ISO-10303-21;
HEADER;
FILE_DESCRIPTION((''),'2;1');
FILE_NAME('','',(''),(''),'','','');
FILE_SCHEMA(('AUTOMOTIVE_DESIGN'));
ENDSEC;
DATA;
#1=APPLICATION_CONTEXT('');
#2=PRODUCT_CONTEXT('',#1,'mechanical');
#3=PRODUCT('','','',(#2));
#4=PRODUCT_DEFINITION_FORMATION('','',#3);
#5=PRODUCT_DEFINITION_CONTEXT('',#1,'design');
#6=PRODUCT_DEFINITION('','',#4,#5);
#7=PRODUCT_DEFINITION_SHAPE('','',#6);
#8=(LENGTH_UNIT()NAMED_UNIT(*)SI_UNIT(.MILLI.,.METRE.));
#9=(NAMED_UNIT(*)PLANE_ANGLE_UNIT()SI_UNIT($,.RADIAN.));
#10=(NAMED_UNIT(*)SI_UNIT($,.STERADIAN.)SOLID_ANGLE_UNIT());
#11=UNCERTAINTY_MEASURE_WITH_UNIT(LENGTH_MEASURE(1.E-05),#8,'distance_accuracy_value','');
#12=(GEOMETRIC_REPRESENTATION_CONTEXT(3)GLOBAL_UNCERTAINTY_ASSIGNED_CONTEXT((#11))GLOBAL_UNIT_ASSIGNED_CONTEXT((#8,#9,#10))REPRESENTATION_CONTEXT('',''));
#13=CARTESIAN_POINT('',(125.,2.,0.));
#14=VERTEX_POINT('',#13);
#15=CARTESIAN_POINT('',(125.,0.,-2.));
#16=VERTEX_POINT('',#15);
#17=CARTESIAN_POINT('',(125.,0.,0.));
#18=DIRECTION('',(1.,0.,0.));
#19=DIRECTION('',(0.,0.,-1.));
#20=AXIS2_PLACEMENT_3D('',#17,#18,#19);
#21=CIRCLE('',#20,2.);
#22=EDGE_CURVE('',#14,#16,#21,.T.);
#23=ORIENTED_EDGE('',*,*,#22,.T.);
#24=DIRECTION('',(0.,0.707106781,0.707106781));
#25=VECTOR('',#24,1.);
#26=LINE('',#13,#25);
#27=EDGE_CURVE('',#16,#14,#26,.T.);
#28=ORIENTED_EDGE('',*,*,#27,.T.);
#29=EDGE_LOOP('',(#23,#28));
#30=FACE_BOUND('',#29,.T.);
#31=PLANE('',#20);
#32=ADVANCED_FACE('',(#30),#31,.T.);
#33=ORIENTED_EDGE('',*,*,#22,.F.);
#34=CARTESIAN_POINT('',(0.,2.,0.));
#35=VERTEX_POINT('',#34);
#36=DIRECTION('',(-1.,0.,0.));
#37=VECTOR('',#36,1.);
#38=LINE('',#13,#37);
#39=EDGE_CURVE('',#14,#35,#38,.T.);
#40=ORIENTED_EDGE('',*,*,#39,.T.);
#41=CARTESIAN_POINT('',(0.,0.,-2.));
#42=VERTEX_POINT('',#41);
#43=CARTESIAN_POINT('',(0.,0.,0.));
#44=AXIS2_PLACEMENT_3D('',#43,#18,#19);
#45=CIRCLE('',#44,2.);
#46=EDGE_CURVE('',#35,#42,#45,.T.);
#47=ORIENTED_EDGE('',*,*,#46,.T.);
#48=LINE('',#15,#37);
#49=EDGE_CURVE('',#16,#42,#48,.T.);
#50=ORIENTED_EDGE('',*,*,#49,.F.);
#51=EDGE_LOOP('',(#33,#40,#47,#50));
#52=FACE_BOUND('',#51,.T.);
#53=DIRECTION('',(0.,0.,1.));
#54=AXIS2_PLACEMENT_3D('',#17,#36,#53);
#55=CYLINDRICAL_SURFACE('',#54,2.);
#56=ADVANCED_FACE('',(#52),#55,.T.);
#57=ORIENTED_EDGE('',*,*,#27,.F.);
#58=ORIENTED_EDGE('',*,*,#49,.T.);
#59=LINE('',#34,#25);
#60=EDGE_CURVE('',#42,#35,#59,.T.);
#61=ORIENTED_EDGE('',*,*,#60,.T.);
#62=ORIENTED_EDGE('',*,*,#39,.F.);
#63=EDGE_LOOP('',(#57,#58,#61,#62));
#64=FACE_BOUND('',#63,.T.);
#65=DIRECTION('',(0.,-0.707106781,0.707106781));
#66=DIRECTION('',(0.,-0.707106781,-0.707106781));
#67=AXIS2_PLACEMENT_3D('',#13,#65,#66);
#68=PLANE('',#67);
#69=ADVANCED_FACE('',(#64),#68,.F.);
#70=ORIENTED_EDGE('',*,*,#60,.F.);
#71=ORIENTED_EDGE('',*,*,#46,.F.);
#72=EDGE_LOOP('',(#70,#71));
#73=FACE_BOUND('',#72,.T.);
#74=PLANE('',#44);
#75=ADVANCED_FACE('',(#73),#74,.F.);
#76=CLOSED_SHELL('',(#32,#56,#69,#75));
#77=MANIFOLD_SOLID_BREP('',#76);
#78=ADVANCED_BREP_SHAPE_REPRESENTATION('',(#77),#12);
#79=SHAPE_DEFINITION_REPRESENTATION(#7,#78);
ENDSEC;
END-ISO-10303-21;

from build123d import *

# Parameters (mm, degrees)
EXTRUDE_1_DEPTH = 125


with BuildPart() as part:
    # 草图1 → 凸台-拉伸1 (new body)
    with BuildSketch(Plane(origin=(0, 0, 0), x_dir=(0, 0, -1), z_dir=(1, 0, 0))):
        with BuildLine():
            Line((0, 2), (2, 0))
            ThreePointArc((2, 0), (-1.414213562, -1.414213562), (0, 2))
        make_face()
    extrude(amount=EXTRUDE_1_DEPTH)


solid = part.part
